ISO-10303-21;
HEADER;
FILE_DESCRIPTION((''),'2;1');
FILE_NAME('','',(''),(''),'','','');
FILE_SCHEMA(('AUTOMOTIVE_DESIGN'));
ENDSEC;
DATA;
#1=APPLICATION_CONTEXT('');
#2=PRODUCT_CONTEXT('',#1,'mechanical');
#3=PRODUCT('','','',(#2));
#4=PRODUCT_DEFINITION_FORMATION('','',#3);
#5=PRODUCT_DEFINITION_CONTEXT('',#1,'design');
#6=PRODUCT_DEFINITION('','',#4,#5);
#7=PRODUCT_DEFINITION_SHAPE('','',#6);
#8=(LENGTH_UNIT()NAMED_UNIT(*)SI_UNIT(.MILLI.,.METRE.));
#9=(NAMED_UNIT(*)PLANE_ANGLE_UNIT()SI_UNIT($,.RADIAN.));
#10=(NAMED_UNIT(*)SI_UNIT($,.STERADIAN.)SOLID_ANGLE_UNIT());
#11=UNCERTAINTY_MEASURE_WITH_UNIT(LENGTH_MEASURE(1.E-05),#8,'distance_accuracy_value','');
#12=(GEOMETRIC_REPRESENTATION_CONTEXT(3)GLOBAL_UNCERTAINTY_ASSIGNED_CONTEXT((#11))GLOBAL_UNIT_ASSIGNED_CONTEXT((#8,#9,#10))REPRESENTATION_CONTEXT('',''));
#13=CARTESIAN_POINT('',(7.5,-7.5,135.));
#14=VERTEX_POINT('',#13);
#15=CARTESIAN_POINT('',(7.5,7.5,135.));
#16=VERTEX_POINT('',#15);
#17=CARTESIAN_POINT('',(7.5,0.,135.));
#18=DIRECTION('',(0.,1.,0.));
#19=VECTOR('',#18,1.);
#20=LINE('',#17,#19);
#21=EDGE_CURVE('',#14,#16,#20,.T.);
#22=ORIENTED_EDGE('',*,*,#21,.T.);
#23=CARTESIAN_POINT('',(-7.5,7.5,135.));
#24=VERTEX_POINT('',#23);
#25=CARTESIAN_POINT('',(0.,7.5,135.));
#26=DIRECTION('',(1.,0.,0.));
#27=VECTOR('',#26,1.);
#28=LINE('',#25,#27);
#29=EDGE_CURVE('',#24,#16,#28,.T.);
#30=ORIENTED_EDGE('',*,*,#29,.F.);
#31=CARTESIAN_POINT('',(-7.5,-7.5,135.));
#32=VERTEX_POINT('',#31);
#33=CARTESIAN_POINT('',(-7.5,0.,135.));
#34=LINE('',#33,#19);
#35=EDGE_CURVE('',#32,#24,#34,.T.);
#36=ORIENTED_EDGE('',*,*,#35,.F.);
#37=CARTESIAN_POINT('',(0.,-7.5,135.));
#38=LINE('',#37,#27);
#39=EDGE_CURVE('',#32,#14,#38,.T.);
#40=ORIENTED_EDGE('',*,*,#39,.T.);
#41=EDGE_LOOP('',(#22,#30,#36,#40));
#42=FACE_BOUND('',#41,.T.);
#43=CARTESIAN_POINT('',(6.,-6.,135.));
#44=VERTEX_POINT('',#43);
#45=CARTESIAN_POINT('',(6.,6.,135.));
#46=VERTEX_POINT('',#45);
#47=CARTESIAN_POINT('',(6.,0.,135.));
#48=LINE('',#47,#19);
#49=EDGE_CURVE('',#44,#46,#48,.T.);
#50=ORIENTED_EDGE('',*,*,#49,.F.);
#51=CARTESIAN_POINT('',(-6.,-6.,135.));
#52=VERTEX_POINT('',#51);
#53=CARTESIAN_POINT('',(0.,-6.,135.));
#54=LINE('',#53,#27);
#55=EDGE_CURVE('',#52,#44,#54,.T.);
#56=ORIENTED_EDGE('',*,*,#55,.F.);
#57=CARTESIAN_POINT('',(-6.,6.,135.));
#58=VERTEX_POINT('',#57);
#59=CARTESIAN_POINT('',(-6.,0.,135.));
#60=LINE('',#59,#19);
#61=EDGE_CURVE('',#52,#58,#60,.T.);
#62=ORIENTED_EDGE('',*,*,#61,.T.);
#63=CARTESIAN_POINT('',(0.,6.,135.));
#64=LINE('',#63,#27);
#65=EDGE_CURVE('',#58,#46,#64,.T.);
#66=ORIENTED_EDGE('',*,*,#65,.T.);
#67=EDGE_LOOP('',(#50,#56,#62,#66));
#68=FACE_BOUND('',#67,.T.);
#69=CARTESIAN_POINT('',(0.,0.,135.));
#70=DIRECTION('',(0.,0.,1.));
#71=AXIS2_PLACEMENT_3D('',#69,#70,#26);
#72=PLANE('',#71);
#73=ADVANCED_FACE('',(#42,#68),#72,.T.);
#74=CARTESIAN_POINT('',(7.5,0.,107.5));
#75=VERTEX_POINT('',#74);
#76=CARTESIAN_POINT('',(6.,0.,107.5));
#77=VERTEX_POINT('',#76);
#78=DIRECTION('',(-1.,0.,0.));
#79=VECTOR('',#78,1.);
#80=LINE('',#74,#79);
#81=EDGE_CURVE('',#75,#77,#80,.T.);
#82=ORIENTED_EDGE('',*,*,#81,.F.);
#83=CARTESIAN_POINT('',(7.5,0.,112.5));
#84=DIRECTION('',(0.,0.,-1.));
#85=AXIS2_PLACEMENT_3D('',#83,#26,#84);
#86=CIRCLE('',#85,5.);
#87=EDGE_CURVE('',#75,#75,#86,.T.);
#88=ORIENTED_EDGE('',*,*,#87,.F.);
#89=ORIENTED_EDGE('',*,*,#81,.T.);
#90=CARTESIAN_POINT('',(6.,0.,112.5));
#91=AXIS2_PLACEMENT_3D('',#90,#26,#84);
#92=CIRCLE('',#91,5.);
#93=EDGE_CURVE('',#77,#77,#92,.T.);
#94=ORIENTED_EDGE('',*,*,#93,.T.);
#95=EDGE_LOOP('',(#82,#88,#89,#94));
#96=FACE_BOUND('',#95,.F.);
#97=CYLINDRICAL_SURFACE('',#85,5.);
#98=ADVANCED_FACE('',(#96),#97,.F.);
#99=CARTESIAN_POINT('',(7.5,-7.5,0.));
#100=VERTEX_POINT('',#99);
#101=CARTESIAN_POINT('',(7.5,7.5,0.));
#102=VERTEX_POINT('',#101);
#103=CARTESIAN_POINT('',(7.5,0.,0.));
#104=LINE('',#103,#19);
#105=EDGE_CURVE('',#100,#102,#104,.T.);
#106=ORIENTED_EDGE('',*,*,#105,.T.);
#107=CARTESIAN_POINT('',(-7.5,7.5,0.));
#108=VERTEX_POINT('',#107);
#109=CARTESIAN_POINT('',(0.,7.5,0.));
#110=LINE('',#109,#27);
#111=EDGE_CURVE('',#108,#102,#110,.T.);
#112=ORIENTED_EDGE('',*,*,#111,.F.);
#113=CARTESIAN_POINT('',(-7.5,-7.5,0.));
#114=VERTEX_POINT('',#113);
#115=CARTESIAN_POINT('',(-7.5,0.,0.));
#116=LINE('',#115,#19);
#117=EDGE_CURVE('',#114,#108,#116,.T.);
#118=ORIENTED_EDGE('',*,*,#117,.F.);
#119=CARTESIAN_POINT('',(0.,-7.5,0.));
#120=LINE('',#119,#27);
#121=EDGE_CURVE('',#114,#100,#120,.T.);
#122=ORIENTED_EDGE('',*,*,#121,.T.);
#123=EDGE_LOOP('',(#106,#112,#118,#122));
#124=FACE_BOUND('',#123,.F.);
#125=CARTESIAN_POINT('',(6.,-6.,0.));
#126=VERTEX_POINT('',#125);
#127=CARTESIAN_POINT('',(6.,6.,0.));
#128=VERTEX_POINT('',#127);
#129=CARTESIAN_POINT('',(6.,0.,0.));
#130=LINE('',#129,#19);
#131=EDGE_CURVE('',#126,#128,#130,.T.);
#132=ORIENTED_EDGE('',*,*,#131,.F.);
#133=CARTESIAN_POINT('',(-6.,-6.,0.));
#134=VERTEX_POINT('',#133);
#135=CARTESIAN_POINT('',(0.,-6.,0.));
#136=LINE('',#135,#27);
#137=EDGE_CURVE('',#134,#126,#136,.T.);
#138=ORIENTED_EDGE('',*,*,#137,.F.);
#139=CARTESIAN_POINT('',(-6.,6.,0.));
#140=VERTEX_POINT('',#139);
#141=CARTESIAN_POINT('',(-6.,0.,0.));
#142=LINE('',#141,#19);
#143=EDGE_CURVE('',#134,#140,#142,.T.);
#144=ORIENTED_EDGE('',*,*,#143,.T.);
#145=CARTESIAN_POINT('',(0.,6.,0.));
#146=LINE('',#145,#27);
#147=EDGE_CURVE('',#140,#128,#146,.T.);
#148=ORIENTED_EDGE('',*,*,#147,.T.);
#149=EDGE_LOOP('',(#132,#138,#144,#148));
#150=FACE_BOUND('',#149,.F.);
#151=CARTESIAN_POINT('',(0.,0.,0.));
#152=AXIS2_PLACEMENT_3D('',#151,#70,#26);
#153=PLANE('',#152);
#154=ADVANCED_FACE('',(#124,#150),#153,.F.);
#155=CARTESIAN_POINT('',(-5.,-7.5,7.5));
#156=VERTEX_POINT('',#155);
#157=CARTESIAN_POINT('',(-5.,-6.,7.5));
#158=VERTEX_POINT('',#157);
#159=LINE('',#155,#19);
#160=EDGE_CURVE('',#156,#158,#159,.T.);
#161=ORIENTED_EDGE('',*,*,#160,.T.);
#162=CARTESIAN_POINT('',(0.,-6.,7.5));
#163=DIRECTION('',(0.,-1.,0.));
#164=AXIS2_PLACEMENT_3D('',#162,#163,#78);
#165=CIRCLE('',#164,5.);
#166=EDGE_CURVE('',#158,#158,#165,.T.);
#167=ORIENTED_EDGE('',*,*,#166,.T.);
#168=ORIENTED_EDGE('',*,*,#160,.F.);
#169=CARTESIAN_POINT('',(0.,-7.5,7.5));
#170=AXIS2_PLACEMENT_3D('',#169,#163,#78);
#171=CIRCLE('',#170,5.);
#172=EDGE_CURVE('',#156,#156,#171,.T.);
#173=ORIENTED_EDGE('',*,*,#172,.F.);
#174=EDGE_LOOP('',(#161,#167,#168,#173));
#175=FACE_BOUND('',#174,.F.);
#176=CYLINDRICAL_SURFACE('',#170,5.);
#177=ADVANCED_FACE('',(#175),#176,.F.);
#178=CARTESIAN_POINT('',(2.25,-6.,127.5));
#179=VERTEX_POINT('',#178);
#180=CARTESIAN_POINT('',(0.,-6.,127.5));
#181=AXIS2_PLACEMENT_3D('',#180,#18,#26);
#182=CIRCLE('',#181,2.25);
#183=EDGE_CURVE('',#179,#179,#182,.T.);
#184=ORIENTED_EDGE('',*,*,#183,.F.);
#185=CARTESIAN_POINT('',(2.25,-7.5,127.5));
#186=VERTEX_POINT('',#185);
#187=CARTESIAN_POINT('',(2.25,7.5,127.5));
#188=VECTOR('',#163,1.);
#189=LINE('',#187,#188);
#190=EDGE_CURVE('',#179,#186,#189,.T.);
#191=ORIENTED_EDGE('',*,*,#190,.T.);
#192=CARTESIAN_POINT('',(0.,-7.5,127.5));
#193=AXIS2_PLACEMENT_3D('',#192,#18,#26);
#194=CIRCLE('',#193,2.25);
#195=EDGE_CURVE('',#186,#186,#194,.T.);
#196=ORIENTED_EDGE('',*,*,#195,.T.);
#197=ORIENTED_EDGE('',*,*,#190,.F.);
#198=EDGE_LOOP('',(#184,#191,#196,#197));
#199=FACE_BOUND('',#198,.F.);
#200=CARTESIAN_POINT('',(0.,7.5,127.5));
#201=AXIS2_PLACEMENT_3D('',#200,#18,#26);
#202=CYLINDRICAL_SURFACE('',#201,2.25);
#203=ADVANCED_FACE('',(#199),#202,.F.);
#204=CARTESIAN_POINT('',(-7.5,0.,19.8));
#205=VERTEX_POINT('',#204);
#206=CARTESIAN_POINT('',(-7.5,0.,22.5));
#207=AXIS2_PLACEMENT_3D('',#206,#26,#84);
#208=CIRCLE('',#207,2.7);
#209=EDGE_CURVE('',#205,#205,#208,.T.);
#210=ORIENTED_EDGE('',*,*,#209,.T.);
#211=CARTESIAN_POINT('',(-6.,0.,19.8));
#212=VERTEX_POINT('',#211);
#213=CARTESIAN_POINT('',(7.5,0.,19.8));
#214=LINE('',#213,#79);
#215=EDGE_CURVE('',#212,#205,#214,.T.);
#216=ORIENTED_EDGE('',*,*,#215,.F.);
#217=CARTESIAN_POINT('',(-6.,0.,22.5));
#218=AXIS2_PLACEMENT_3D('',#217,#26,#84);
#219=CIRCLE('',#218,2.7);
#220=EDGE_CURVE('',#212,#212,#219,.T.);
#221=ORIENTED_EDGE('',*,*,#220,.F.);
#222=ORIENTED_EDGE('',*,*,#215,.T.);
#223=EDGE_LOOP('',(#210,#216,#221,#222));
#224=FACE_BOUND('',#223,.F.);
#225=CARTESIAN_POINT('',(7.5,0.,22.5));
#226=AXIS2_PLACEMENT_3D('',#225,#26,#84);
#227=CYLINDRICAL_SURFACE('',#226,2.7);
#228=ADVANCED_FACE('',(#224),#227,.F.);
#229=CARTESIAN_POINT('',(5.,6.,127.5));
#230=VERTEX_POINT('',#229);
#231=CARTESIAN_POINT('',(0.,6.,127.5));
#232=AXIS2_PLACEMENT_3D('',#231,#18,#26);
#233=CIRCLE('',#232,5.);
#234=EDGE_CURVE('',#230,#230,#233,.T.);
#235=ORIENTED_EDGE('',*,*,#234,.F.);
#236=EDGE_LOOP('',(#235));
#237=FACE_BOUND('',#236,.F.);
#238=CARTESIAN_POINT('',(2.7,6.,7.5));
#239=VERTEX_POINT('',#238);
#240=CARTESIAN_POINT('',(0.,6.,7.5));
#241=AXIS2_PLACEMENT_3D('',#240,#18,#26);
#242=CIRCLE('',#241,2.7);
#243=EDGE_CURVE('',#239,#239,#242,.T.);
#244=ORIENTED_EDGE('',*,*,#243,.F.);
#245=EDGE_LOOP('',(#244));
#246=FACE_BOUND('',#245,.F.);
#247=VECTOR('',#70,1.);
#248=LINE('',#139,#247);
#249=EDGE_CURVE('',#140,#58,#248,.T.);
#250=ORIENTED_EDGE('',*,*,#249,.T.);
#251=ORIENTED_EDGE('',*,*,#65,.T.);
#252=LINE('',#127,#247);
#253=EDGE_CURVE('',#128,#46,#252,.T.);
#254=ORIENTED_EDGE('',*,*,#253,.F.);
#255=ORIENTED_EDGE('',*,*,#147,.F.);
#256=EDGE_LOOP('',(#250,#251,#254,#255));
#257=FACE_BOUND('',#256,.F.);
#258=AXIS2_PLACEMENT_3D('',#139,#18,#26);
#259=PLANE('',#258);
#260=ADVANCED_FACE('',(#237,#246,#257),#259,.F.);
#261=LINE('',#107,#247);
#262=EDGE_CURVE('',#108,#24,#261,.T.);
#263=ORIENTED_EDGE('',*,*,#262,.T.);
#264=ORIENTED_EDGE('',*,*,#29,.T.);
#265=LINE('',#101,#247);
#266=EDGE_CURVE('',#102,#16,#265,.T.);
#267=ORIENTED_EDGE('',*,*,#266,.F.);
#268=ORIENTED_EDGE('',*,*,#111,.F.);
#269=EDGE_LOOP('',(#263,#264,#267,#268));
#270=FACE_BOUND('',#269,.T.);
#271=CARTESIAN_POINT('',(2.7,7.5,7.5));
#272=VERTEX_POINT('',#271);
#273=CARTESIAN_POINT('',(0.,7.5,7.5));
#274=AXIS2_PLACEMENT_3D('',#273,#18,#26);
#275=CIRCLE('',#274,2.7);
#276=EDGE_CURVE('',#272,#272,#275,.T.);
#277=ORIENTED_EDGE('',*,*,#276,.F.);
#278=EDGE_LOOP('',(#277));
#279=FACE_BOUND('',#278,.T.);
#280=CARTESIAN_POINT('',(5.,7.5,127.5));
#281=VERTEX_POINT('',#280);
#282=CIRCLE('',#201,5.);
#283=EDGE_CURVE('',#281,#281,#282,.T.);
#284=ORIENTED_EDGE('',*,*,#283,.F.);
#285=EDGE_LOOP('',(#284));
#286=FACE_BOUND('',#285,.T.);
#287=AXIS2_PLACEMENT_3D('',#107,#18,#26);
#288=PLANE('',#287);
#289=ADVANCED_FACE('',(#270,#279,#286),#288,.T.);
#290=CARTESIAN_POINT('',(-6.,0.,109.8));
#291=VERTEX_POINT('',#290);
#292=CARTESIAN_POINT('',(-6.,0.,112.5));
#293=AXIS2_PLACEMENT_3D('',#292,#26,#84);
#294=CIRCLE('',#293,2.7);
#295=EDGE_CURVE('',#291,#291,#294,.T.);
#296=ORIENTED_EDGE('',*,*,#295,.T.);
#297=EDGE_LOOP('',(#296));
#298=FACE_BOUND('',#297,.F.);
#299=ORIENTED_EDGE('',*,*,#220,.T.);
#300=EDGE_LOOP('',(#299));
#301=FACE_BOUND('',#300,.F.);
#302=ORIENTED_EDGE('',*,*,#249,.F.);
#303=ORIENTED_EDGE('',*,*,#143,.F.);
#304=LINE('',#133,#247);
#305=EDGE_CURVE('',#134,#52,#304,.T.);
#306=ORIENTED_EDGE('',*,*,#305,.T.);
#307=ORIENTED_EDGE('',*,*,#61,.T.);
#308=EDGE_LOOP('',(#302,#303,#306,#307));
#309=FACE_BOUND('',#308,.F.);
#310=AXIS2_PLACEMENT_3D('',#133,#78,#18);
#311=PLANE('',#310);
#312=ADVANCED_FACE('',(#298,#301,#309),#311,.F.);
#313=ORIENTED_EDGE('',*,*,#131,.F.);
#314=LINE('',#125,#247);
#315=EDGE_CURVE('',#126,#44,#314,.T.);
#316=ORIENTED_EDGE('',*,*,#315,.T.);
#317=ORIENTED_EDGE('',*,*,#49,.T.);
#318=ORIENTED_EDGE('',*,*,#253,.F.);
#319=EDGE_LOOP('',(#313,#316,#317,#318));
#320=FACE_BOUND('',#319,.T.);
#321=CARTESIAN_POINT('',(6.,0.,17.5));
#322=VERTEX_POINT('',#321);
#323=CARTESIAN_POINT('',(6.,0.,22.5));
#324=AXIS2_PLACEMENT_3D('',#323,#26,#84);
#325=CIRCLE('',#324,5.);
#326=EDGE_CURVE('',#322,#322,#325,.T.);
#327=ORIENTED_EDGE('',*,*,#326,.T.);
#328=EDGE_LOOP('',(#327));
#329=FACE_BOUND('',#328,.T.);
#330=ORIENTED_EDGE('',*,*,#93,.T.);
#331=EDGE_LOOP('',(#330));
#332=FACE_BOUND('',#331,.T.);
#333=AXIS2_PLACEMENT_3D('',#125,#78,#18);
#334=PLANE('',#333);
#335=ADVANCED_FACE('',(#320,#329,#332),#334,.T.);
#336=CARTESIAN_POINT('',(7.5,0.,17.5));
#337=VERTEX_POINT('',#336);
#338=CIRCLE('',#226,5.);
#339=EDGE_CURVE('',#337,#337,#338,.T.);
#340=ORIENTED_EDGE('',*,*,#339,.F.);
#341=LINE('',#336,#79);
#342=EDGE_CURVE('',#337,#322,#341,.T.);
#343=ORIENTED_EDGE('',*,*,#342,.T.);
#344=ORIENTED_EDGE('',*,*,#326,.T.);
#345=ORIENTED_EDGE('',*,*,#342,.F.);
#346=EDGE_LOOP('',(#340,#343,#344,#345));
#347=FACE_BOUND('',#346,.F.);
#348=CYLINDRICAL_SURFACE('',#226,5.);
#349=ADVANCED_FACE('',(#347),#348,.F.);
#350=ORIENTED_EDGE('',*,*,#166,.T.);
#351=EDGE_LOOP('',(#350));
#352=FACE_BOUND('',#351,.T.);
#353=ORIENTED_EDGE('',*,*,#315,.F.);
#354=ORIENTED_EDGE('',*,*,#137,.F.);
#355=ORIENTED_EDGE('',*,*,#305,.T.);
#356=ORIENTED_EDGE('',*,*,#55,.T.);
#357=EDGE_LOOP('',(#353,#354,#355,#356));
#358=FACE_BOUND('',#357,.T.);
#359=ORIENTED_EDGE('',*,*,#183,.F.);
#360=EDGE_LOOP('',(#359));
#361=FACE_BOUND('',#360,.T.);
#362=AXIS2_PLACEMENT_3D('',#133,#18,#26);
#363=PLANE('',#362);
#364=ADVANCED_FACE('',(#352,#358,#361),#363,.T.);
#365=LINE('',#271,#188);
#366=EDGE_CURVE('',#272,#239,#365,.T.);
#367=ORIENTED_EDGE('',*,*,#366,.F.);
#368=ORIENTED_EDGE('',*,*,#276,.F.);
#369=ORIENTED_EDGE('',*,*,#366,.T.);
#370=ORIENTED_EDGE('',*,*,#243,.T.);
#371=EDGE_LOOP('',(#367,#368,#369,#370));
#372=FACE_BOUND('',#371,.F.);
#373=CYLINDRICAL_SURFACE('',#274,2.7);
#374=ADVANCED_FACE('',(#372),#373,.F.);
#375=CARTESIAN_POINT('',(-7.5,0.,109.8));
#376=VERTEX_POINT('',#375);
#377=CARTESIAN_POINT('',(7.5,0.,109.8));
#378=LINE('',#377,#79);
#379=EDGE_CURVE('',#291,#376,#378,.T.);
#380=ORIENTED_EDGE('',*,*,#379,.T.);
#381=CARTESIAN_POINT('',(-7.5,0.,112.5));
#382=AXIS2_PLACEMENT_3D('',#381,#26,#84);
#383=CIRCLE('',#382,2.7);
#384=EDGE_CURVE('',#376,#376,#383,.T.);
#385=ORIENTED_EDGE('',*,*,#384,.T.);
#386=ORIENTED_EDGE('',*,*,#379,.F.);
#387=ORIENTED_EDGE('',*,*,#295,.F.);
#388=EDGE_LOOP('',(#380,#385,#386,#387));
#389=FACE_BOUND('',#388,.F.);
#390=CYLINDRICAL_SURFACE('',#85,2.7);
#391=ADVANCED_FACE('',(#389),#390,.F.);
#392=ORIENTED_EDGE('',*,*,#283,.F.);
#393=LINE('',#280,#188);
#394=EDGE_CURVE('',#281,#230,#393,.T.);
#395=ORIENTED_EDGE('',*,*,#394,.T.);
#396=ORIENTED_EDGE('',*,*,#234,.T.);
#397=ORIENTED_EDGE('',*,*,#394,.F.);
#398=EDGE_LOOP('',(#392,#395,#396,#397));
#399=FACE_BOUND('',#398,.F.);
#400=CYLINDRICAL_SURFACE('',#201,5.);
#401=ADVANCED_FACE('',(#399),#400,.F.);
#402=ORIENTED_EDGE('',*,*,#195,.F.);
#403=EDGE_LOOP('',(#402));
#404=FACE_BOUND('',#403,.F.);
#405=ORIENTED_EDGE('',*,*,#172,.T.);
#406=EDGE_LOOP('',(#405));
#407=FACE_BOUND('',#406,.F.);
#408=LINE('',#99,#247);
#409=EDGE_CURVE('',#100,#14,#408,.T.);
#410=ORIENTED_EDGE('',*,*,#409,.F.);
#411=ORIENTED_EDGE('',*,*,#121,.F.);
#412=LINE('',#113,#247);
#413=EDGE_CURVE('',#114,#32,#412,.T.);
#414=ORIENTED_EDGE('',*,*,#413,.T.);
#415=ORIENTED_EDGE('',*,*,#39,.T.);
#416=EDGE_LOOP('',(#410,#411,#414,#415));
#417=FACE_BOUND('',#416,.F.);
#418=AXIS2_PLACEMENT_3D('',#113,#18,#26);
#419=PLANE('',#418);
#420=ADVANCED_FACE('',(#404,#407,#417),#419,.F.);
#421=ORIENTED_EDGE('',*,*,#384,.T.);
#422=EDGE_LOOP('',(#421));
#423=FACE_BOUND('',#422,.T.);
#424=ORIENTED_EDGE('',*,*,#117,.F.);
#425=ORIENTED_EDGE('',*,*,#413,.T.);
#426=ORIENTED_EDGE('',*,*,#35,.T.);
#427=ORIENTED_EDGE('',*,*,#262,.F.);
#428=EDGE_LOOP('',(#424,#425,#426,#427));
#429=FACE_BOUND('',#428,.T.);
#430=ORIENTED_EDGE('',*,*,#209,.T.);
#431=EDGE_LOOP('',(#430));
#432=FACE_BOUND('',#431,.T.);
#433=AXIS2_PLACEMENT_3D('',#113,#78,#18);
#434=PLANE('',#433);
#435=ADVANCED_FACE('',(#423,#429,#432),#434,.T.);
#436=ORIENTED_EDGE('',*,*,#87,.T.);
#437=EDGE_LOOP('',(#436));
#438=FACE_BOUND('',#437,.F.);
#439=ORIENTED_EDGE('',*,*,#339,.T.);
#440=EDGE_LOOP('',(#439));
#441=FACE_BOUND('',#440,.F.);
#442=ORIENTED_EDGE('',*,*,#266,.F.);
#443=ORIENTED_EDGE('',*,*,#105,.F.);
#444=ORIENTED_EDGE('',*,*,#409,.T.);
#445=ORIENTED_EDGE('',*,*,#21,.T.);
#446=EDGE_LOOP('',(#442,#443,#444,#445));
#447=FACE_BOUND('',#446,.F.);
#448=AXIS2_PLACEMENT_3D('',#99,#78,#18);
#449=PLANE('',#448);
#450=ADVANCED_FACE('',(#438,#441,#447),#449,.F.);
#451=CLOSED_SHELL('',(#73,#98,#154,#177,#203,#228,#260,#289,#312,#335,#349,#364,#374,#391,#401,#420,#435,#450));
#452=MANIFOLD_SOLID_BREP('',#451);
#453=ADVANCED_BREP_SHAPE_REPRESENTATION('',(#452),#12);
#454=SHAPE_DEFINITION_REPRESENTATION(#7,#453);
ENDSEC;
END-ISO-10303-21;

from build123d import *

# Parameters (mm, degrees)
SKETCH_1_W          = 15
SKETCH_1_H          = 15
SKETCH_1_W_2        = 12
SKETCH_1_H_2        = 12
EXTRUDE_1_DEPTH     = 135
SKETCH_2_R          = 2.7
CUT_EXTRUDE_1_DEPTH = 25
SKETCH_3_R          = 2.7
SKETCH_3_R_2        = 2.25
CUT_EXTRUDE_2_DEPTH = 25
SKETCH_4_R          = 5
CUT_EXTRUDE_3_DEPTH = 10
SKETCH_5_R          = 5
CUT_EXTRUDE_4_DEPTH = 10
SKETCH_6_R          = 5
CUT_EXTRUDE_5_DEPTH = 10


with BuildPart() as part:
    # ｽｹｯﾁ1 → ﾎﾞｽ - 押し出し1 (new body)
    with BuildSketch(Plane.XY):
        Rectangle(SKETCH_1_W, SKETCH_1_H)
        Rectangle(SKETCH_1_W_2, SKETCH_1_H_2, mode=Mode.SUBTRACT)
    extrude(amount=EXTRUDE_1_DEPTH)

    # ｽｹｯﾁ2 → ｶｯﾄ - 押し出し1 (cut)
    with BuildSketch(Plane(origin=(7.5, 0, 0), x_dir=(0, 0, -1), z_dir=(1, 0, 0))):
        with Locations((-112.5, 0)):
            Circle(SKETCH_2_R)
        with Locations((-22.5, 0)):
            Circle(SKETCH_2_R)
    extrude(amount=-CUT_EXTRUDE_1_DEPTH, mode=Mode.SUBTRACT)

    # ｽｹｯﾁ3 → ｶｯﾄ - 押し出し2 (cut)
    with BuildSketch(Plane(origin=(0, 7.5, 0), x_dir=(1, 0, 0), z_dir=(0, 1, 0))):
        with Locations((0, -7.5)):
            Circle(SKETCH_3_R)
        with Locations((0, -127.5)):
            Circle(SKETCH_3_R_2)
    extrude(amount=-CUT_EXTRUDE_2_DEPTH, mode=Mode.SUBTRACT)

    # ｽｹｯﾁ4 → ｶｯﾄ - 押し出し3 (cut)
    with BuildSketch(Plane(origin=(0, 7.5, 0), x_dir=(1, 0, 0), z_dir=(0, 1, 0))):
        with Locations((0, -127.5)):
            Circle(SKETCH_4_R)
    extrude(amount=-CUT_EXTRUDE_3_DEPTH, mode=Mode.SUBTRACT)

    # ｽｹｯﾁ5 → ｶｯﾄ - 押し出し4 (cut)
    with BuildSketch(Plane(origin=(7.5, 0, 0), x_dir=(0, 0, -1), z_dir=(1, 0, 0))):
        with Locations((-22.5, 0)):
            Circle(SKETCH_5_R)
        with Locations((-112.5, 0)):
            Circle(SKETCH_5_R)
    extrude(amount=-CUT_EXTRUDE_4_DEPTH, mode=Mode.SUBTRACT)

    # ｽｹｯﾁ6 → ｶｯﾄ - 押し出し5 (cut)
    with BuildSketch(Plane(origin=(0, -7.5, 0), x_dir=(-1, 0, 0), z_dir=(0, -1, 0))):
        with Locations((0, -7.5)):
            Circle(SKETCH_6_R)
    extrude(amount=-CUT_EXTRUDE_5_DEPTH, mode=Mode.SUBTRACT)


solid = part.part
